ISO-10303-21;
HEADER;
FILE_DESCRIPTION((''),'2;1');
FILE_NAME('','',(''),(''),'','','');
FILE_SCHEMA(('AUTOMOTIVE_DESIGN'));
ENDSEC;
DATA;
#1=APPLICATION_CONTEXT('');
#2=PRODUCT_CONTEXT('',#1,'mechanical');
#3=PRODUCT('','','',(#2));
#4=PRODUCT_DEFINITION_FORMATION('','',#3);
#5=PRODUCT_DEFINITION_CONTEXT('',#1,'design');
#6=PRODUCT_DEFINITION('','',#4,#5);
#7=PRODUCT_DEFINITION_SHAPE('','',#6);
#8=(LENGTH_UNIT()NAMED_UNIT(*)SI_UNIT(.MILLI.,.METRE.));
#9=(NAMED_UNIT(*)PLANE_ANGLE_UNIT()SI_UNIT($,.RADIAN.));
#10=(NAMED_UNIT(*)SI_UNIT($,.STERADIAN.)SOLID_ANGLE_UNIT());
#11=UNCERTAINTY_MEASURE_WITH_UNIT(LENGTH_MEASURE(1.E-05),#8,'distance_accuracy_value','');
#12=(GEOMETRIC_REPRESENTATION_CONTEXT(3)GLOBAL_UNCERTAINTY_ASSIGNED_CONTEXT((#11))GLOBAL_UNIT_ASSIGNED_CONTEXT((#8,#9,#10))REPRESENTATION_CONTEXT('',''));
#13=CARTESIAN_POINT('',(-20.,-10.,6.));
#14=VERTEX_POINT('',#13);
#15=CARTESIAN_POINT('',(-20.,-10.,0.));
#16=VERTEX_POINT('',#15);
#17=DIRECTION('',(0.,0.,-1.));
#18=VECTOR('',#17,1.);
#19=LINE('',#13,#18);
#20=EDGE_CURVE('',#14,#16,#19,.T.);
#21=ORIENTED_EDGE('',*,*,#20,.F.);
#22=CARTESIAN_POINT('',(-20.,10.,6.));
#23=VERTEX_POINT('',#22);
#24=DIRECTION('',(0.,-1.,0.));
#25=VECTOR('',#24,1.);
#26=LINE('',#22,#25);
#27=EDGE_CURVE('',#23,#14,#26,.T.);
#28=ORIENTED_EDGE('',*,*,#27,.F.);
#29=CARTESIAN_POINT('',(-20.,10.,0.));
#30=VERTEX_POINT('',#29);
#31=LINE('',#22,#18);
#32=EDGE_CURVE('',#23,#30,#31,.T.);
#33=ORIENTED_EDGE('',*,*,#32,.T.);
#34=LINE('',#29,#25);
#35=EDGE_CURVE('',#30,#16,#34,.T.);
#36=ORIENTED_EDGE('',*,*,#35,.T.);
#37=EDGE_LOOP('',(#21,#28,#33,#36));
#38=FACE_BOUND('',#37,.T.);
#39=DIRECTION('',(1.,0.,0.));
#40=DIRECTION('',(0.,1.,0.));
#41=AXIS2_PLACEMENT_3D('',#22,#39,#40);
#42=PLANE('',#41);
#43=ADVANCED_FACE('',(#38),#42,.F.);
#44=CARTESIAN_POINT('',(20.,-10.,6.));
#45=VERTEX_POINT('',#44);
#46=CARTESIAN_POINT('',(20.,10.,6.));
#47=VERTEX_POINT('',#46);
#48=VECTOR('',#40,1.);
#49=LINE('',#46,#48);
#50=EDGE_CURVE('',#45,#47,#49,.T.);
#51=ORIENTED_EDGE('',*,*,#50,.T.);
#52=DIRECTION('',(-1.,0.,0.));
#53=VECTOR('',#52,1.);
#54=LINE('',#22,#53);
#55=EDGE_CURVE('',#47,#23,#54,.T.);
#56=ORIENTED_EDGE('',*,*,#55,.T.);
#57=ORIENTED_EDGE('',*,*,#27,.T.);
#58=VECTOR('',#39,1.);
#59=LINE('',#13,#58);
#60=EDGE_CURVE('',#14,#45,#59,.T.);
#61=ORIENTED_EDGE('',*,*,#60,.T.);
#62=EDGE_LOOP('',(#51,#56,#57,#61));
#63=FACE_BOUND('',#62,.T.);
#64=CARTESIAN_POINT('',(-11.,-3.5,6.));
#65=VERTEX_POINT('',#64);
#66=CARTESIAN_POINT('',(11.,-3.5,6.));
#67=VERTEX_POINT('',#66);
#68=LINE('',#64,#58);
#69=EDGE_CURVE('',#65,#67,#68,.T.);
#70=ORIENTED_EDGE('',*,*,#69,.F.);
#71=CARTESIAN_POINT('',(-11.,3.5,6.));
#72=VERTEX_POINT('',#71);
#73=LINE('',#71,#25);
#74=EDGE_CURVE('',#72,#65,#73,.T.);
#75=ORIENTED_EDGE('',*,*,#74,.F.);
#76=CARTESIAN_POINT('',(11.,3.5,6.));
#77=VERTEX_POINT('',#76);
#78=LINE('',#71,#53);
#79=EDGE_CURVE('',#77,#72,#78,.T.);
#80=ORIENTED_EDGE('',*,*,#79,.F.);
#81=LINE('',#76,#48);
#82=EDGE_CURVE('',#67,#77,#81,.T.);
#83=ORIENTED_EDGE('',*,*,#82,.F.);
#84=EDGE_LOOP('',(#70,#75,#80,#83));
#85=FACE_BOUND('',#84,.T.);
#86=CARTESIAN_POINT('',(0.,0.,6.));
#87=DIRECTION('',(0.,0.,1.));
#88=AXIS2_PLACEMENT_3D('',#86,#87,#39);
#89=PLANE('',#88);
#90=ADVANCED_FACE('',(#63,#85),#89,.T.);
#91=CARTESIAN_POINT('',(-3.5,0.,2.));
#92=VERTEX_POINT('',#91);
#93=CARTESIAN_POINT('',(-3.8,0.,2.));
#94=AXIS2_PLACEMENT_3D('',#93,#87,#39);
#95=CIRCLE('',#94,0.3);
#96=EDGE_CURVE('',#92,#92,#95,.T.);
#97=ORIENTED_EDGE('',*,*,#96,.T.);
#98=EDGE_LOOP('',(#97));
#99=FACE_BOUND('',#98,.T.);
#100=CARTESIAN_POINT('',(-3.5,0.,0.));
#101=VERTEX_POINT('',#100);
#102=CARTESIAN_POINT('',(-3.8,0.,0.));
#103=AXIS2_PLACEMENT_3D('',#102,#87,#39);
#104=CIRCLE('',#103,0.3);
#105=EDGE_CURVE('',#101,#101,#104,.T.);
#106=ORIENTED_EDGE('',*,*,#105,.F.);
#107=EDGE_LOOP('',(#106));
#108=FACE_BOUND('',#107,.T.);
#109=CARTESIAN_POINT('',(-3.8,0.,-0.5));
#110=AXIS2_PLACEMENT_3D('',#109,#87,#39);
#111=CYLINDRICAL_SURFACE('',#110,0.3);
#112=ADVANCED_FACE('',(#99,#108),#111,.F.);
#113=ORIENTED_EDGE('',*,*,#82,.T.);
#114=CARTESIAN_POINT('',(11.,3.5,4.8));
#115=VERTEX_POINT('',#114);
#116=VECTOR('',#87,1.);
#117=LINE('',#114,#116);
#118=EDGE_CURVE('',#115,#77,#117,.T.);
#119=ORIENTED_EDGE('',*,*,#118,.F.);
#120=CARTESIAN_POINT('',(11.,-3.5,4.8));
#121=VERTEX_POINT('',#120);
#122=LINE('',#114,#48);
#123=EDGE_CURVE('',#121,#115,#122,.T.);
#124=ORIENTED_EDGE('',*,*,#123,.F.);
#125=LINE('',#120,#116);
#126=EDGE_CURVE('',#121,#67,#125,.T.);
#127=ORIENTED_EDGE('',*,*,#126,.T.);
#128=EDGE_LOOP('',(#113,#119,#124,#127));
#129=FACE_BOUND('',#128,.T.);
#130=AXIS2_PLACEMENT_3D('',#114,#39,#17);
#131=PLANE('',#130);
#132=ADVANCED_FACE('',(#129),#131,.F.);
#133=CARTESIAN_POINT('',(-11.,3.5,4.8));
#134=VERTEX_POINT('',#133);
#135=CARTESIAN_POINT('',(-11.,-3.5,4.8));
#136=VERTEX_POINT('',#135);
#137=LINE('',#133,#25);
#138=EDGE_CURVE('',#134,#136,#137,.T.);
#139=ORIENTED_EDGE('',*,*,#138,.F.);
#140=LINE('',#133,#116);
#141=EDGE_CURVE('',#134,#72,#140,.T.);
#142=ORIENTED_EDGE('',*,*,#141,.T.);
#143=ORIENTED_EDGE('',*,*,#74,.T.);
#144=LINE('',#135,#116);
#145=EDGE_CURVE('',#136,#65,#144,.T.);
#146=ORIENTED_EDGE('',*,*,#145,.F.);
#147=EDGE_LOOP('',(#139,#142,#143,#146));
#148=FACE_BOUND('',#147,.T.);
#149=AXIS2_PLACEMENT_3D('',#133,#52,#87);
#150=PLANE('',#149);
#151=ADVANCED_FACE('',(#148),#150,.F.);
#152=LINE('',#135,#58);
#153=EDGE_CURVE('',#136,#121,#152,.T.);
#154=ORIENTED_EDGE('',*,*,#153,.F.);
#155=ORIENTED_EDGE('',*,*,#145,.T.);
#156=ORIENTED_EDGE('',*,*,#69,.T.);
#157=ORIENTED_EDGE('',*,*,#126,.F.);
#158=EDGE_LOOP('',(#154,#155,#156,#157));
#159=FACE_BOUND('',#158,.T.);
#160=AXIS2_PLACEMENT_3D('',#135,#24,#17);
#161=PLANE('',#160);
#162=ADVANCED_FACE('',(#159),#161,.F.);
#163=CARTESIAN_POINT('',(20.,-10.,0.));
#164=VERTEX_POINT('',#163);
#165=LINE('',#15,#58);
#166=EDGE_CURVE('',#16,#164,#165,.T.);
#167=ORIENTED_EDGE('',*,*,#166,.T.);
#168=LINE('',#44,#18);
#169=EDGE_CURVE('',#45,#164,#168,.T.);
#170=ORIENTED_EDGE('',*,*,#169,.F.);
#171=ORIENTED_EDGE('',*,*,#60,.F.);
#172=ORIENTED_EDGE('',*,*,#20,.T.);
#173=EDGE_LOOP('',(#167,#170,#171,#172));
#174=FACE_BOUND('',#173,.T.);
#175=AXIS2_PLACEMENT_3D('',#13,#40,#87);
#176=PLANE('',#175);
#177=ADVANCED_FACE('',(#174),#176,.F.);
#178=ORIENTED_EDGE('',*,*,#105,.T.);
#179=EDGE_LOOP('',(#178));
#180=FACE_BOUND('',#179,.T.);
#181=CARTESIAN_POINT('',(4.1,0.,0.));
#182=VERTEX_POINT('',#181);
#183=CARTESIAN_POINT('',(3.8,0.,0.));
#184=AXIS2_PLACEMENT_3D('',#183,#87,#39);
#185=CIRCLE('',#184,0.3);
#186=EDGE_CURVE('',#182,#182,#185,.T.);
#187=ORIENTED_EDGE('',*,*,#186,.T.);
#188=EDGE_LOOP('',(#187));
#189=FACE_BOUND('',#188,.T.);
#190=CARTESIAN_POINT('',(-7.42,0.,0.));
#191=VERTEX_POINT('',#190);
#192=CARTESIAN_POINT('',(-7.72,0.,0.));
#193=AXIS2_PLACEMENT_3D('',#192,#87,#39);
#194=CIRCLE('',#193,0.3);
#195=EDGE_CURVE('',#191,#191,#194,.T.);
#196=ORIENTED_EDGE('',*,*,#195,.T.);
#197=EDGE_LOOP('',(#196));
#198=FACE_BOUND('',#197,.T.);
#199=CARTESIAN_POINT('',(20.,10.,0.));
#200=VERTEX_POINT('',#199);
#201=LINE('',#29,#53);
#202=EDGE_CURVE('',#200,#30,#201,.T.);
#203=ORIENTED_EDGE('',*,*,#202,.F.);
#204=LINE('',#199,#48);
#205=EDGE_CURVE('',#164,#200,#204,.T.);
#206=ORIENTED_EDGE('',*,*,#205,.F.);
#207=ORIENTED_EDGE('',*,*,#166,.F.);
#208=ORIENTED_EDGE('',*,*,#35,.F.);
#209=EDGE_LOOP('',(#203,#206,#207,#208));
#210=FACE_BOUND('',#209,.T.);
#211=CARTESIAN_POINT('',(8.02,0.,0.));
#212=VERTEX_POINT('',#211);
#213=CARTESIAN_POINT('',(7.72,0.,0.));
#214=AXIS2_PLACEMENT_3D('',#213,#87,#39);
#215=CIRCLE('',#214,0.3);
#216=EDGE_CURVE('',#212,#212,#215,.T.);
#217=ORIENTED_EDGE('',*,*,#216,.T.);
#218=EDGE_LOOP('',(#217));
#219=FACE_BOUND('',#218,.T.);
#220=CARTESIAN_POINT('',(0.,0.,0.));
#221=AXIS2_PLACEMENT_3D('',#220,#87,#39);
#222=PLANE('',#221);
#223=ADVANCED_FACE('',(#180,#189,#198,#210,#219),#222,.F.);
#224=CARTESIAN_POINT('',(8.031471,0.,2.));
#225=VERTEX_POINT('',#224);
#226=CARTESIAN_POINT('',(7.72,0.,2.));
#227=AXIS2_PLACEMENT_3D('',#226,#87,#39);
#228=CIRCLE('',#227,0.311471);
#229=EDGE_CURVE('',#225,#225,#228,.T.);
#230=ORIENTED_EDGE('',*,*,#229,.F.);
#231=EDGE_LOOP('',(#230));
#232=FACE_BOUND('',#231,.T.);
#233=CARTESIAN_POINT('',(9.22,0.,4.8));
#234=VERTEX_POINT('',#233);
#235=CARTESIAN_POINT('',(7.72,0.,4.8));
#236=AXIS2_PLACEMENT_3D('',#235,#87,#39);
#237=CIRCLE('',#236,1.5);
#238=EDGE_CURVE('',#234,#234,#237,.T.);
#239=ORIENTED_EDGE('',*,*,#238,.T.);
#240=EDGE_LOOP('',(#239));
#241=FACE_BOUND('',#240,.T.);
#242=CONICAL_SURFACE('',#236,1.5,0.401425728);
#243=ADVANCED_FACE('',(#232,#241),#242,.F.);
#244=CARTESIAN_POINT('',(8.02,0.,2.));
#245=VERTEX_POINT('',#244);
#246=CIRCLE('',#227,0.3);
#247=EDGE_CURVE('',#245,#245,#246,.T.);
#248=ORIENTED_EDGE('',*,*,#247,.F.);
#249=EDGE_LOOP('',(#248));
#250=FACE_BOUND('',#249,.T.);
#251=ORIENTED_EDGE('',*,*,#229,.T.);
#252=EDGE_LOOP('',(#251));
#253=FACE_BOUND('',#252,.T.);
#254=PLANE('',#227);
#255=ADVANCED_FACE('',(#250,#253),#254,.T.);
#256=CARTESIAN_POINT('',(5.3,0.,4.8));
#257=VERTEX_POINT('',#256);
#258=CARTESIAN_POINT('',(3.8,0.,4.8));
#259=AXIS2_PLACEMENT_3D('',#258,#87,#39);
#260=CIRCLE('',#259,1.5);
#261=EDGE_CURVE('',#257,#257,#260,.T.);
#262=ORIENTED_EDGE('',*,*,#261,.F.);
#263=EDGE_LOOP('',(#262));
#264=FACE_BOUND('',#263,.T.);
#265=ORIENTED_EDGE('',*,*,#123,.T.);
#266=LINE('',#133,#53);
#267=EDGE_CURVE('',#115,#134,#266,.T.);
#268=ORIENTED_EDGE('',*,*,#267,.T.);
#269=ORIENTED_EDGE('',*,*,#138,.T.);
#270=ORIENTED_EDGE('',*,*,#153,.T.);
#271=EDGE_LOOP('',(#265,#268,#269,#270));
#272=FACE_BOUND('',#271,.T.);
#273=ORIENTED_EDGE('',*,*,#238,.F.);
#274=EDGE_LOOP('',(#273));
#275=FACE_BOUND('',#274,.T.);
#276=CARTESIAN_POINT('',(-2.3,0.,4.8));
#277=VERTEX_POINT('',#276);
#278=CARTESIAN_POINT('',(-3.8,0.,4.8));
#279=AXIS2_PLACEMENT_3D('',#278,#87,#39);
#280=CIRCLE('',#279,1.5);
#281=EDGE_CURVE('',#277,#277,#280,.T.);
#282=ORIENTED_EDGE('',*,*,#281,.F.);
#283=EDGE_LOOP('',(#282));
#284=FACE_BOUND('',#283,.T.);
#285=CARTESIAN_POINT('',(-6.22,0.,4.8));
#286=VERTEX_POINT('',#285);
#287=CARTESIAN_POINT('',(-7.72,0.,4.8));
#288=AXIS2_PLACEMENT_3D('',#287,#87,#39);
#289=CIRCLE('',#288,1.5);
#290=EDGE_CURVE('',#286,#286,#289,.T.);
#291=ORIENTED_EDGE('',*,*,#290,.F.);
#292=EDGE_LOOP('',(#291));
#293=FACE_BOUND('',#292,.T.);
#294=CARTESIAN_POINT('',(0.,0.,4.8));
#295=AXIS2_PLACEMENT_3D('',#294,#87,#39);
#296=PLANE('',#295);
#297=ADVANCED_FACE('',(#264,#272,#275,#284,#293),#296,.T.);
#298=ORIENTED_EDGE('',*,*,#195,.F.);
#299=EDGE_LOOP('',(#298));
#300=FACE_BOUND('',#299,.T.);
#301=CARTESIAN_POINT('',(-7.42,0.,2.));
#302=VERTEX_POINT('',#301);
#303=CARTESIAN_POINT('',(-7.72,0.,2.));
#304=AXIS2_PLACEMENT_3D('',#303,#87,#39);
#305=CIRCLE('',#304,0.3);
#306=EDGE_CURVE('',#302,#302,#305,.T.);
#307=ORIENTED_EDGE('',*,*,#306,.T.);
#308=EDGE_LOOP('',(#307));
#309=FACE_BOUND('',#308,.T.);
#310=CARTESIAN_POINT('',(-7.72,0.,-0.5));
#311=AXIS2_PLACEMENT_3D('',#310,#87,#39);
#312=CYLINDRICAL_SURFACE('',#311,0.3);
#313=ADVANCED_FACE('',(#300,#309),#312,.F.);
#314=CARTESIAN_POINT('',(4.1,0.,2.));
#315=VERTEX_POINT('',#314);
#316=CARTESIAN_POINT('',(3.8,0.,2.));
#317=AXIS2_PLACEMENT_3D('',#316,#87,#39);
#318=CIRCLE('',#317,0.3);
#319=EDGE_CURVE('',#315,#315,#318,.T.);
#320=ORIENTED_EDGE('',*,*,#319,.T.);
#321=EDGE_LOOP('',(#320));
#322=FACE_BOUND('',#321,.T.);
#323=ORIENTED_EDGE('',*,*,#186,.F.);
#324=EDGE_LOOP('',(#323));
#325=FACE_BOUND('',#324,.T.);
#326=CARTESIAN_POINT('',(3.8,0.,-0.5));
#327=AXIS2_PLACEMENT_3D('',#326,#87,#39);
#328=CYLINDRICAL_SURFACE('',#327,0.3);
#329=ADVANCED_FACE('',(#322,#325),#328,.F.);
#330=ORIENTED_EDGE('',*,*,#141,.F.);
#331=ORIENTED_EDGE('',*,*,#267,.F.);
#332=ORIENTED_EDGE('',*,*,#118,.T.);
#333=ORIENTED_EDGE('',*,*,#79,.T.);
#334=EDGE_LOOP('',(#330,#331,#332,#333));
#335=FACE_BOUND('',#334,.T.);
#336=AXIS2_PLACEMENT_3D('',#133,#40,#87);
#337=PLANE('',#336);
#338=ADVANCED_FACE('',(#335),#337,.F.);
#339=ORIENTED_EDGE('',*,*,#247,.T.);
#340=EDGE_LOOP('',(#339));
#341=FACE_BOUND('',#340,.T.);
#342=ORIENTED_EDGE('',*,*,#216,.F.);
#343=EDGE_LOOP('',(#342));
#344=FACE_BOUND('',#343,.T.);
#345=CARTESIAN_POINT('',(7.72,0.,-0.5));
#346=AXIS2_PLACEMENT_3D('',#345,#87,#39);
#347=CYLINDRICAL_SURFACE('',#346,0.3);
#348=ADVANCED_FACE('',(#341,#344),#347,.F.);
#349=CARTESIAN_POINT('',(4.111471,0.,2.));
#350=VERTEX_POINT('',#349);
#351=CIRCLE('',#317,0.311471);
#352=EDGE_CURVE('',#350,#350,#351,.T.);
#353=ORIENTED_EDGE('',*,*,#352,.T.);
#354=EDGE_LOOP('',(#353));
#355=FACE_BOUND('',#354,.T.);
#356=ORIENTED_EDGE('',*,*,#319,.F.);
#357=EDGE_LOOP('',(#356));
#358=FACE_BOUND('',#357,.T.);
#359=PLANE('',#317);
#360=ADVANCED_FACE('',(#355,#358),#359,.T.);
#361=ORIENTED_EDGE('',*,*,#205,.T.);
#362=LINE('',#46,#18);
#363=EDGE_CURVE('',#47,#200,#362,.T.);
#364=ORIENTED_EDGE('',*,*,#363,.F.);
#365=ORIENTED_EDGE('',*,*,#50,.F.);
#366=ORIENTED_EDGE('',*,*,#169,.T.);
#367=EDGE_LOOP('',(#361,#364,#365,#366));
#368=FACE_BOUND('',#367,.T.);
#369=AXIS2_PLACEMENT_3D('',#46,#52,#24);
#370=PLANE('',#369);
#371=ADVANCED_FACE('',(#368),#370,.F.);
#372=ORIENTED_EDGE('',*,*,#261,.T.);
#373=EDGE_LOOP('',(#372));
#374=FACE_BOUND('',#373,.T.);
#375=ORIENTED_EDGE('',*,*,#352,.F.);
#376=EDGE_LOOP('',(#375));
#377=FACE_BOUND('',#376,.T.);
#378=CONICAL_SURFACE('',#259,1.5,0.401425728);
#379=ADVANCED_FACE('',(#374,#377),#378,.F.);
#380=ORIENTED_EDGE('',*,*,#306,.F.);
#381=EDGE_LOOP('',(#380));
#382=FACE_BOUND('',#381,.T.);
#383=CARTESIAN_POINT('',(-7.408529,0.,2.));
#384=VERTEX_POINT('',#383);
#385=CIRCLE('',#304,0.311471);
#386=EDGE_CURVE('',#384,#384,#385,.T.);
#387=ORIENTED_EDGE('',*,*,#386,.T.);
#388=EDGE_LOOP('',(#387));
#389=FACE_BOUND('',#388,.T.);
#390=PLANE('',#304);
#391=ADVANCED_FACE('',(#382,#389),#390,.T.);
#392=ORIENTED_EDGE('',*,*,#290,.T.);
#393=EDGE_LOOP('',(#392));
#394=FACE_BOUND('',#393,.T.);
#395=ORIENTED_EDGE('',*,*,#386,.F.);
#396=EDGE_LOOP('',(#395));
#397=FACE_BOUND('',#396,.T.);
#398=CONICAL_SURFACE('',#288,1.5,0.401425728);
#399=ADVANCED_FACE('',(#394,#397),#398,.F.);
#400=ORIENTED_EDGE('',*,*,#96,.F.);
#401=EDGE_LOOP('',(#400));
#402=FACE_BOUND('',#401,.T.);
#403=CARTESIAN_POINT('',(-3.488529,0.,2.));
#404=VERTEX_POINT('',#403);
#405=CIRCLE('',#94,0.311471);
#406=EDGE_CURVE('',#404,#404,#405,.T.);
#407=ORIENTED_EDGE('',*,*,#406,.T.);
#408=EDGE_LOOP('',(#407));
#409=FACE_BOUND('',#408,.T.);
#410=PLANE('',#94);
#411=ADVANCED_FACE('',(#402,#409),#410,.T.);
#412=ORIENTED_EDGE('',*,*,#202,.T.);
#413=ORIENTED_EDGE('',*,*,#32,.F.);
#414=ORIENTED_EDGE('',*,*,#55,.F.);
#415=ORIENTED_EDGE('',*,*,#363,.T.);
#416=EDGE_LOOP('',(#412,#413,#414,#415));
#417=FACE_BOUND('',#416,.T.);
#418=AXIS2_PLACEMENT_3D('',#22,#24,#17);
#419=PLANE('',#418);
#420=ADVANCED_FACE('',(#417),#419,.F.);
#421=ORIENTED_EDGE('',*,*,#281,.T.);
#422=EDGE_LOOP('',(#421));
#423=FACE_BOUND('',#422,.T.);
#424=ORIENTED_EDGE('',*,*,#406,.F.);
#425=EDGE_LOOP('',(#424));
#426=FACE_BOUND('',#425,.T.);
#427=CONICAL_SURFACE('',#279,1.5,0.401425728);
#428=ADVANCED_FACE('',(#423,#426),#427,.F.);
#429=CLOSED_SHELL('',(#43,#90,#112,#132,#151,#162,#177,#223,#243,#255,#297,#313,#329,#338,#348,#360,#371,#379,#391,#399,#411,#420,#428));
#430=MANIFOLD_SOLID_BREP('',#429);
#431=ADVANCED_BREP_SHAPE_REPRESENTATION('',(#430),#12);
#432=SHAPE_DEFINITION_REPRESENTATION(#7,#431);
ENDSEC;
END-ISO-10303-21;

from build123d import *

# Parameters (mm, degrees)
SKETCH1_W           = 40
SKETCH1_H           = 20
BOSS_EXTRUDE1_DEPTH = 6
SKETCH2_W           = 22
SKETCH2_H           = 7
CUT_EXTRUDE1_DEPTH  = 1.2
SKETCH4_R           = 1.5
CUT_EXTRUDE2_DEPTH  = 2.8
CUT_EXTRUDE2_TAPER  = 23
SKETCH5_R           = 0.3
CUT_EXTRUDE3_DEPTH  = 2.5


with BuildPart() as part:
    # Sketch1 → Boss-Extrude1 (new body)
    with BuildSketch(Plane.XY):
        Rectangle(SKETCH1_W, SKETCH1_H)
    extrude(amount=BOSS_EXTRUDE1_DEPTH)

    # Sketch2 → Cut-Extrude1 (cut)
    with BuildSketch(Plane.XY.offset(6)):
        Rectangle(SKETCH2_W, SKETCH2_H)
    extrude(amount=-CUT_EXTRUDE1_DEPTH, mode=Mode.SUBTRACT)

    # Sketch4 → Cut-Extrude2 (cut)
    with BuildSketch(Plane.XY.offset(4.8)):
        with Locations((-7.72, 0)):
            Circle(SKETCH4_R)
        with Locations((-3.8, 0)):
            Circle(SKETCH4_R)
        with Locations((3.8, 0)):
            Circle(SKETCH4_R)
        with Locations((7.72, 0)):
            Circle(SKETCH4_R)
    extrude(amount=-CUT_EXTRUDE2_DEPTH, taper=CUT_EXTRUDE2_TAPER, mode=Mode.SUBTRACT)

    # Sketch5 → Cut-Extrude3 (cut)
    with BuildSketch(Plane.XY.offset(2)):
        with Locations((-7.72, 0)):
            Circle(SKETCH5_R)
        with Locations((-3.8, 0)):
            Circle(SKETCH5_R)
        with Locations((3.8, 0)):
            Circle(SKETCH5_R)
        with Locations((7.72, 0)):
            Circle(SKETCH5_R)
    extrude(amount=-CUT_EXTRUDE3_DEPTH, mode=Mode.SUBTRACT)


solid = part.part
